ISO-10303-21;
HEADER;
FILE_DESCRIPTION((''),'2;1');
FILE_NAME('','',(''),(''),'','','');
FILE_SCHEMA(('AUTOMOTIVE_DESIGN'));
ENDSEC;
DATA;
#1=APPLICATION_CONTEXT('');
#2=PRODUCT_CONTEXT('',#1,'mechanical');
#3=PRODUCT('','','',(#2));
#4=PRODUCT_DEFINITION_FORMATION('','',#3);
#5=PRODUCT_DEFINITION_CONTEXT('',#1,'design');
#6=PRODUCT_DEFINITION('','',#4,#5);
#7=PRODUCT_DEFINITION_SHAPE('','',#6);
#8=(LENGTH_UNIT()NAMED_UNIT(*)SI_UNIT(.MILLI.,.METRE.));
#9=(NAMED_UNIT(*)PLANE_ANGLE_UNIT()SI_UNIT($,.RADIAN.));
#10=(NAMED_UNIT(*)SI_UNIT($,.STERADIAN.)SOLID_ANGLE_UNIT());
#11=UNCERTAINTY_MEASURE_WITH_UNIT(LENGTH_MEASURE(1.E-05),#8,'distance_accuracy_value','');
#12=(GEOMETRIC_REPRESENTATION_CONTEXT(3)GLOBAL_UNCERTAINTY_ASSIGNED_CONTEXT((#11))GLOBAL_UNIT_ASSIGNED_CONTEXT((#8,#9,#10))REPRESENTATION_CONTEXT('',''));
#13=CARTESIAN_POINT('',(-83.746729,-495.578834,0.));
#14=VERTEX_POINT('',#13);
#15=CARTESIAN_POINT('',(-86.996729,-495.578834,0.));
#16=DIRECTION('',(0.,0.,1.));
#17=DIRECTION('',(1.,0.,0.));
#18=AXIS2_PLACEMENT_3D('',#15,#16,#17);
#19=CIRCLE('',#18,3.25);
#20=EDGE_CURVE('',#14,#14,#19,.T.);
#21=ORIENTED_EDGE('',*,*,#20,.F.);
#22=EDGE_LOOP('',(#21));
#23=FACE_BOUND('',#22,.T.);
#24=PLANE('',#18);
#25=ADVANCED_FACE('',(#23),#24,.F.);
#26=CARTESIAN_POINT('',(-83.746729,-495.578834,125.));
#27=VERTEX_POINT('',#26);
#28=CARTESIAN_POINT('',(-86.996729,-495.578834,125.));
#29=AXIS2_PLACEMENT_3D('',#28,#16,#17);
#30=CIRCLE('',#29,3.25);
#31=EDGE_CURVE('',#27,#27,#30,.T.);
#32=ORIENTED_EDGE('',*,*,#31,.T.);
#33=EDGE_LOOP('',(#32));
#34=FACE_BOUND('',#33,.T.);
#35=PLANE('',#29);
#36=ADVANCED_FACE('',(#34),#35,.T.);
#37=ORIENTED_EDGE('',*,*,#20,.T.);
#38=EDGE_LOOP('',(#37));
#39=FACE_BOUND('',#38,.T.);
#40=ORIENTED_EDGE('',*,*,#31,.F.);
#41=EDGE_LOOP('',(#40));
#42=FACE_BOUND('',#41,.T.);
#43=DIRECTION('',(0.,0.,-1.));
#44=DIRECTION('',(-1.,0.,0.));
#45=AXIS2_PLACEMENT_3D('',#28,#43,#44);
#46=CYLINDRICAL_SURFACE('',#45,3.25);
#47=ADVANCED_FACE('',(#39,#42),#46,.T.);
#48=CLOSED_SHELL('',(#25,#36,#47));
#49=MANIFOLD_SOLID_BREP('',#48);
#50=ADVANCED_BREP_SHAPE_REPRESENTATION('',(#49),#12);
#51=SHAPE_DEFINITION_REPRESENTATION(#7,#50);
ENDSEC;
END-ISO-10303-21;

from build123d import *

# Parameters (mm, degrees)
SKETCH1_R          = 3.25
BASE_EXTRUDE_DEPTH = 125


with BuildPart() as part:
    # Sketch1 → Base-Extrude (new body)
    with BuildSketch(Plane.XY):
        with Locations((-86.996729187, -495.578834459)):
            Circle(SKETCH1_R)
    extrude(amount=BASE_EXTRUDE_DEPTH)


solid = part.part
